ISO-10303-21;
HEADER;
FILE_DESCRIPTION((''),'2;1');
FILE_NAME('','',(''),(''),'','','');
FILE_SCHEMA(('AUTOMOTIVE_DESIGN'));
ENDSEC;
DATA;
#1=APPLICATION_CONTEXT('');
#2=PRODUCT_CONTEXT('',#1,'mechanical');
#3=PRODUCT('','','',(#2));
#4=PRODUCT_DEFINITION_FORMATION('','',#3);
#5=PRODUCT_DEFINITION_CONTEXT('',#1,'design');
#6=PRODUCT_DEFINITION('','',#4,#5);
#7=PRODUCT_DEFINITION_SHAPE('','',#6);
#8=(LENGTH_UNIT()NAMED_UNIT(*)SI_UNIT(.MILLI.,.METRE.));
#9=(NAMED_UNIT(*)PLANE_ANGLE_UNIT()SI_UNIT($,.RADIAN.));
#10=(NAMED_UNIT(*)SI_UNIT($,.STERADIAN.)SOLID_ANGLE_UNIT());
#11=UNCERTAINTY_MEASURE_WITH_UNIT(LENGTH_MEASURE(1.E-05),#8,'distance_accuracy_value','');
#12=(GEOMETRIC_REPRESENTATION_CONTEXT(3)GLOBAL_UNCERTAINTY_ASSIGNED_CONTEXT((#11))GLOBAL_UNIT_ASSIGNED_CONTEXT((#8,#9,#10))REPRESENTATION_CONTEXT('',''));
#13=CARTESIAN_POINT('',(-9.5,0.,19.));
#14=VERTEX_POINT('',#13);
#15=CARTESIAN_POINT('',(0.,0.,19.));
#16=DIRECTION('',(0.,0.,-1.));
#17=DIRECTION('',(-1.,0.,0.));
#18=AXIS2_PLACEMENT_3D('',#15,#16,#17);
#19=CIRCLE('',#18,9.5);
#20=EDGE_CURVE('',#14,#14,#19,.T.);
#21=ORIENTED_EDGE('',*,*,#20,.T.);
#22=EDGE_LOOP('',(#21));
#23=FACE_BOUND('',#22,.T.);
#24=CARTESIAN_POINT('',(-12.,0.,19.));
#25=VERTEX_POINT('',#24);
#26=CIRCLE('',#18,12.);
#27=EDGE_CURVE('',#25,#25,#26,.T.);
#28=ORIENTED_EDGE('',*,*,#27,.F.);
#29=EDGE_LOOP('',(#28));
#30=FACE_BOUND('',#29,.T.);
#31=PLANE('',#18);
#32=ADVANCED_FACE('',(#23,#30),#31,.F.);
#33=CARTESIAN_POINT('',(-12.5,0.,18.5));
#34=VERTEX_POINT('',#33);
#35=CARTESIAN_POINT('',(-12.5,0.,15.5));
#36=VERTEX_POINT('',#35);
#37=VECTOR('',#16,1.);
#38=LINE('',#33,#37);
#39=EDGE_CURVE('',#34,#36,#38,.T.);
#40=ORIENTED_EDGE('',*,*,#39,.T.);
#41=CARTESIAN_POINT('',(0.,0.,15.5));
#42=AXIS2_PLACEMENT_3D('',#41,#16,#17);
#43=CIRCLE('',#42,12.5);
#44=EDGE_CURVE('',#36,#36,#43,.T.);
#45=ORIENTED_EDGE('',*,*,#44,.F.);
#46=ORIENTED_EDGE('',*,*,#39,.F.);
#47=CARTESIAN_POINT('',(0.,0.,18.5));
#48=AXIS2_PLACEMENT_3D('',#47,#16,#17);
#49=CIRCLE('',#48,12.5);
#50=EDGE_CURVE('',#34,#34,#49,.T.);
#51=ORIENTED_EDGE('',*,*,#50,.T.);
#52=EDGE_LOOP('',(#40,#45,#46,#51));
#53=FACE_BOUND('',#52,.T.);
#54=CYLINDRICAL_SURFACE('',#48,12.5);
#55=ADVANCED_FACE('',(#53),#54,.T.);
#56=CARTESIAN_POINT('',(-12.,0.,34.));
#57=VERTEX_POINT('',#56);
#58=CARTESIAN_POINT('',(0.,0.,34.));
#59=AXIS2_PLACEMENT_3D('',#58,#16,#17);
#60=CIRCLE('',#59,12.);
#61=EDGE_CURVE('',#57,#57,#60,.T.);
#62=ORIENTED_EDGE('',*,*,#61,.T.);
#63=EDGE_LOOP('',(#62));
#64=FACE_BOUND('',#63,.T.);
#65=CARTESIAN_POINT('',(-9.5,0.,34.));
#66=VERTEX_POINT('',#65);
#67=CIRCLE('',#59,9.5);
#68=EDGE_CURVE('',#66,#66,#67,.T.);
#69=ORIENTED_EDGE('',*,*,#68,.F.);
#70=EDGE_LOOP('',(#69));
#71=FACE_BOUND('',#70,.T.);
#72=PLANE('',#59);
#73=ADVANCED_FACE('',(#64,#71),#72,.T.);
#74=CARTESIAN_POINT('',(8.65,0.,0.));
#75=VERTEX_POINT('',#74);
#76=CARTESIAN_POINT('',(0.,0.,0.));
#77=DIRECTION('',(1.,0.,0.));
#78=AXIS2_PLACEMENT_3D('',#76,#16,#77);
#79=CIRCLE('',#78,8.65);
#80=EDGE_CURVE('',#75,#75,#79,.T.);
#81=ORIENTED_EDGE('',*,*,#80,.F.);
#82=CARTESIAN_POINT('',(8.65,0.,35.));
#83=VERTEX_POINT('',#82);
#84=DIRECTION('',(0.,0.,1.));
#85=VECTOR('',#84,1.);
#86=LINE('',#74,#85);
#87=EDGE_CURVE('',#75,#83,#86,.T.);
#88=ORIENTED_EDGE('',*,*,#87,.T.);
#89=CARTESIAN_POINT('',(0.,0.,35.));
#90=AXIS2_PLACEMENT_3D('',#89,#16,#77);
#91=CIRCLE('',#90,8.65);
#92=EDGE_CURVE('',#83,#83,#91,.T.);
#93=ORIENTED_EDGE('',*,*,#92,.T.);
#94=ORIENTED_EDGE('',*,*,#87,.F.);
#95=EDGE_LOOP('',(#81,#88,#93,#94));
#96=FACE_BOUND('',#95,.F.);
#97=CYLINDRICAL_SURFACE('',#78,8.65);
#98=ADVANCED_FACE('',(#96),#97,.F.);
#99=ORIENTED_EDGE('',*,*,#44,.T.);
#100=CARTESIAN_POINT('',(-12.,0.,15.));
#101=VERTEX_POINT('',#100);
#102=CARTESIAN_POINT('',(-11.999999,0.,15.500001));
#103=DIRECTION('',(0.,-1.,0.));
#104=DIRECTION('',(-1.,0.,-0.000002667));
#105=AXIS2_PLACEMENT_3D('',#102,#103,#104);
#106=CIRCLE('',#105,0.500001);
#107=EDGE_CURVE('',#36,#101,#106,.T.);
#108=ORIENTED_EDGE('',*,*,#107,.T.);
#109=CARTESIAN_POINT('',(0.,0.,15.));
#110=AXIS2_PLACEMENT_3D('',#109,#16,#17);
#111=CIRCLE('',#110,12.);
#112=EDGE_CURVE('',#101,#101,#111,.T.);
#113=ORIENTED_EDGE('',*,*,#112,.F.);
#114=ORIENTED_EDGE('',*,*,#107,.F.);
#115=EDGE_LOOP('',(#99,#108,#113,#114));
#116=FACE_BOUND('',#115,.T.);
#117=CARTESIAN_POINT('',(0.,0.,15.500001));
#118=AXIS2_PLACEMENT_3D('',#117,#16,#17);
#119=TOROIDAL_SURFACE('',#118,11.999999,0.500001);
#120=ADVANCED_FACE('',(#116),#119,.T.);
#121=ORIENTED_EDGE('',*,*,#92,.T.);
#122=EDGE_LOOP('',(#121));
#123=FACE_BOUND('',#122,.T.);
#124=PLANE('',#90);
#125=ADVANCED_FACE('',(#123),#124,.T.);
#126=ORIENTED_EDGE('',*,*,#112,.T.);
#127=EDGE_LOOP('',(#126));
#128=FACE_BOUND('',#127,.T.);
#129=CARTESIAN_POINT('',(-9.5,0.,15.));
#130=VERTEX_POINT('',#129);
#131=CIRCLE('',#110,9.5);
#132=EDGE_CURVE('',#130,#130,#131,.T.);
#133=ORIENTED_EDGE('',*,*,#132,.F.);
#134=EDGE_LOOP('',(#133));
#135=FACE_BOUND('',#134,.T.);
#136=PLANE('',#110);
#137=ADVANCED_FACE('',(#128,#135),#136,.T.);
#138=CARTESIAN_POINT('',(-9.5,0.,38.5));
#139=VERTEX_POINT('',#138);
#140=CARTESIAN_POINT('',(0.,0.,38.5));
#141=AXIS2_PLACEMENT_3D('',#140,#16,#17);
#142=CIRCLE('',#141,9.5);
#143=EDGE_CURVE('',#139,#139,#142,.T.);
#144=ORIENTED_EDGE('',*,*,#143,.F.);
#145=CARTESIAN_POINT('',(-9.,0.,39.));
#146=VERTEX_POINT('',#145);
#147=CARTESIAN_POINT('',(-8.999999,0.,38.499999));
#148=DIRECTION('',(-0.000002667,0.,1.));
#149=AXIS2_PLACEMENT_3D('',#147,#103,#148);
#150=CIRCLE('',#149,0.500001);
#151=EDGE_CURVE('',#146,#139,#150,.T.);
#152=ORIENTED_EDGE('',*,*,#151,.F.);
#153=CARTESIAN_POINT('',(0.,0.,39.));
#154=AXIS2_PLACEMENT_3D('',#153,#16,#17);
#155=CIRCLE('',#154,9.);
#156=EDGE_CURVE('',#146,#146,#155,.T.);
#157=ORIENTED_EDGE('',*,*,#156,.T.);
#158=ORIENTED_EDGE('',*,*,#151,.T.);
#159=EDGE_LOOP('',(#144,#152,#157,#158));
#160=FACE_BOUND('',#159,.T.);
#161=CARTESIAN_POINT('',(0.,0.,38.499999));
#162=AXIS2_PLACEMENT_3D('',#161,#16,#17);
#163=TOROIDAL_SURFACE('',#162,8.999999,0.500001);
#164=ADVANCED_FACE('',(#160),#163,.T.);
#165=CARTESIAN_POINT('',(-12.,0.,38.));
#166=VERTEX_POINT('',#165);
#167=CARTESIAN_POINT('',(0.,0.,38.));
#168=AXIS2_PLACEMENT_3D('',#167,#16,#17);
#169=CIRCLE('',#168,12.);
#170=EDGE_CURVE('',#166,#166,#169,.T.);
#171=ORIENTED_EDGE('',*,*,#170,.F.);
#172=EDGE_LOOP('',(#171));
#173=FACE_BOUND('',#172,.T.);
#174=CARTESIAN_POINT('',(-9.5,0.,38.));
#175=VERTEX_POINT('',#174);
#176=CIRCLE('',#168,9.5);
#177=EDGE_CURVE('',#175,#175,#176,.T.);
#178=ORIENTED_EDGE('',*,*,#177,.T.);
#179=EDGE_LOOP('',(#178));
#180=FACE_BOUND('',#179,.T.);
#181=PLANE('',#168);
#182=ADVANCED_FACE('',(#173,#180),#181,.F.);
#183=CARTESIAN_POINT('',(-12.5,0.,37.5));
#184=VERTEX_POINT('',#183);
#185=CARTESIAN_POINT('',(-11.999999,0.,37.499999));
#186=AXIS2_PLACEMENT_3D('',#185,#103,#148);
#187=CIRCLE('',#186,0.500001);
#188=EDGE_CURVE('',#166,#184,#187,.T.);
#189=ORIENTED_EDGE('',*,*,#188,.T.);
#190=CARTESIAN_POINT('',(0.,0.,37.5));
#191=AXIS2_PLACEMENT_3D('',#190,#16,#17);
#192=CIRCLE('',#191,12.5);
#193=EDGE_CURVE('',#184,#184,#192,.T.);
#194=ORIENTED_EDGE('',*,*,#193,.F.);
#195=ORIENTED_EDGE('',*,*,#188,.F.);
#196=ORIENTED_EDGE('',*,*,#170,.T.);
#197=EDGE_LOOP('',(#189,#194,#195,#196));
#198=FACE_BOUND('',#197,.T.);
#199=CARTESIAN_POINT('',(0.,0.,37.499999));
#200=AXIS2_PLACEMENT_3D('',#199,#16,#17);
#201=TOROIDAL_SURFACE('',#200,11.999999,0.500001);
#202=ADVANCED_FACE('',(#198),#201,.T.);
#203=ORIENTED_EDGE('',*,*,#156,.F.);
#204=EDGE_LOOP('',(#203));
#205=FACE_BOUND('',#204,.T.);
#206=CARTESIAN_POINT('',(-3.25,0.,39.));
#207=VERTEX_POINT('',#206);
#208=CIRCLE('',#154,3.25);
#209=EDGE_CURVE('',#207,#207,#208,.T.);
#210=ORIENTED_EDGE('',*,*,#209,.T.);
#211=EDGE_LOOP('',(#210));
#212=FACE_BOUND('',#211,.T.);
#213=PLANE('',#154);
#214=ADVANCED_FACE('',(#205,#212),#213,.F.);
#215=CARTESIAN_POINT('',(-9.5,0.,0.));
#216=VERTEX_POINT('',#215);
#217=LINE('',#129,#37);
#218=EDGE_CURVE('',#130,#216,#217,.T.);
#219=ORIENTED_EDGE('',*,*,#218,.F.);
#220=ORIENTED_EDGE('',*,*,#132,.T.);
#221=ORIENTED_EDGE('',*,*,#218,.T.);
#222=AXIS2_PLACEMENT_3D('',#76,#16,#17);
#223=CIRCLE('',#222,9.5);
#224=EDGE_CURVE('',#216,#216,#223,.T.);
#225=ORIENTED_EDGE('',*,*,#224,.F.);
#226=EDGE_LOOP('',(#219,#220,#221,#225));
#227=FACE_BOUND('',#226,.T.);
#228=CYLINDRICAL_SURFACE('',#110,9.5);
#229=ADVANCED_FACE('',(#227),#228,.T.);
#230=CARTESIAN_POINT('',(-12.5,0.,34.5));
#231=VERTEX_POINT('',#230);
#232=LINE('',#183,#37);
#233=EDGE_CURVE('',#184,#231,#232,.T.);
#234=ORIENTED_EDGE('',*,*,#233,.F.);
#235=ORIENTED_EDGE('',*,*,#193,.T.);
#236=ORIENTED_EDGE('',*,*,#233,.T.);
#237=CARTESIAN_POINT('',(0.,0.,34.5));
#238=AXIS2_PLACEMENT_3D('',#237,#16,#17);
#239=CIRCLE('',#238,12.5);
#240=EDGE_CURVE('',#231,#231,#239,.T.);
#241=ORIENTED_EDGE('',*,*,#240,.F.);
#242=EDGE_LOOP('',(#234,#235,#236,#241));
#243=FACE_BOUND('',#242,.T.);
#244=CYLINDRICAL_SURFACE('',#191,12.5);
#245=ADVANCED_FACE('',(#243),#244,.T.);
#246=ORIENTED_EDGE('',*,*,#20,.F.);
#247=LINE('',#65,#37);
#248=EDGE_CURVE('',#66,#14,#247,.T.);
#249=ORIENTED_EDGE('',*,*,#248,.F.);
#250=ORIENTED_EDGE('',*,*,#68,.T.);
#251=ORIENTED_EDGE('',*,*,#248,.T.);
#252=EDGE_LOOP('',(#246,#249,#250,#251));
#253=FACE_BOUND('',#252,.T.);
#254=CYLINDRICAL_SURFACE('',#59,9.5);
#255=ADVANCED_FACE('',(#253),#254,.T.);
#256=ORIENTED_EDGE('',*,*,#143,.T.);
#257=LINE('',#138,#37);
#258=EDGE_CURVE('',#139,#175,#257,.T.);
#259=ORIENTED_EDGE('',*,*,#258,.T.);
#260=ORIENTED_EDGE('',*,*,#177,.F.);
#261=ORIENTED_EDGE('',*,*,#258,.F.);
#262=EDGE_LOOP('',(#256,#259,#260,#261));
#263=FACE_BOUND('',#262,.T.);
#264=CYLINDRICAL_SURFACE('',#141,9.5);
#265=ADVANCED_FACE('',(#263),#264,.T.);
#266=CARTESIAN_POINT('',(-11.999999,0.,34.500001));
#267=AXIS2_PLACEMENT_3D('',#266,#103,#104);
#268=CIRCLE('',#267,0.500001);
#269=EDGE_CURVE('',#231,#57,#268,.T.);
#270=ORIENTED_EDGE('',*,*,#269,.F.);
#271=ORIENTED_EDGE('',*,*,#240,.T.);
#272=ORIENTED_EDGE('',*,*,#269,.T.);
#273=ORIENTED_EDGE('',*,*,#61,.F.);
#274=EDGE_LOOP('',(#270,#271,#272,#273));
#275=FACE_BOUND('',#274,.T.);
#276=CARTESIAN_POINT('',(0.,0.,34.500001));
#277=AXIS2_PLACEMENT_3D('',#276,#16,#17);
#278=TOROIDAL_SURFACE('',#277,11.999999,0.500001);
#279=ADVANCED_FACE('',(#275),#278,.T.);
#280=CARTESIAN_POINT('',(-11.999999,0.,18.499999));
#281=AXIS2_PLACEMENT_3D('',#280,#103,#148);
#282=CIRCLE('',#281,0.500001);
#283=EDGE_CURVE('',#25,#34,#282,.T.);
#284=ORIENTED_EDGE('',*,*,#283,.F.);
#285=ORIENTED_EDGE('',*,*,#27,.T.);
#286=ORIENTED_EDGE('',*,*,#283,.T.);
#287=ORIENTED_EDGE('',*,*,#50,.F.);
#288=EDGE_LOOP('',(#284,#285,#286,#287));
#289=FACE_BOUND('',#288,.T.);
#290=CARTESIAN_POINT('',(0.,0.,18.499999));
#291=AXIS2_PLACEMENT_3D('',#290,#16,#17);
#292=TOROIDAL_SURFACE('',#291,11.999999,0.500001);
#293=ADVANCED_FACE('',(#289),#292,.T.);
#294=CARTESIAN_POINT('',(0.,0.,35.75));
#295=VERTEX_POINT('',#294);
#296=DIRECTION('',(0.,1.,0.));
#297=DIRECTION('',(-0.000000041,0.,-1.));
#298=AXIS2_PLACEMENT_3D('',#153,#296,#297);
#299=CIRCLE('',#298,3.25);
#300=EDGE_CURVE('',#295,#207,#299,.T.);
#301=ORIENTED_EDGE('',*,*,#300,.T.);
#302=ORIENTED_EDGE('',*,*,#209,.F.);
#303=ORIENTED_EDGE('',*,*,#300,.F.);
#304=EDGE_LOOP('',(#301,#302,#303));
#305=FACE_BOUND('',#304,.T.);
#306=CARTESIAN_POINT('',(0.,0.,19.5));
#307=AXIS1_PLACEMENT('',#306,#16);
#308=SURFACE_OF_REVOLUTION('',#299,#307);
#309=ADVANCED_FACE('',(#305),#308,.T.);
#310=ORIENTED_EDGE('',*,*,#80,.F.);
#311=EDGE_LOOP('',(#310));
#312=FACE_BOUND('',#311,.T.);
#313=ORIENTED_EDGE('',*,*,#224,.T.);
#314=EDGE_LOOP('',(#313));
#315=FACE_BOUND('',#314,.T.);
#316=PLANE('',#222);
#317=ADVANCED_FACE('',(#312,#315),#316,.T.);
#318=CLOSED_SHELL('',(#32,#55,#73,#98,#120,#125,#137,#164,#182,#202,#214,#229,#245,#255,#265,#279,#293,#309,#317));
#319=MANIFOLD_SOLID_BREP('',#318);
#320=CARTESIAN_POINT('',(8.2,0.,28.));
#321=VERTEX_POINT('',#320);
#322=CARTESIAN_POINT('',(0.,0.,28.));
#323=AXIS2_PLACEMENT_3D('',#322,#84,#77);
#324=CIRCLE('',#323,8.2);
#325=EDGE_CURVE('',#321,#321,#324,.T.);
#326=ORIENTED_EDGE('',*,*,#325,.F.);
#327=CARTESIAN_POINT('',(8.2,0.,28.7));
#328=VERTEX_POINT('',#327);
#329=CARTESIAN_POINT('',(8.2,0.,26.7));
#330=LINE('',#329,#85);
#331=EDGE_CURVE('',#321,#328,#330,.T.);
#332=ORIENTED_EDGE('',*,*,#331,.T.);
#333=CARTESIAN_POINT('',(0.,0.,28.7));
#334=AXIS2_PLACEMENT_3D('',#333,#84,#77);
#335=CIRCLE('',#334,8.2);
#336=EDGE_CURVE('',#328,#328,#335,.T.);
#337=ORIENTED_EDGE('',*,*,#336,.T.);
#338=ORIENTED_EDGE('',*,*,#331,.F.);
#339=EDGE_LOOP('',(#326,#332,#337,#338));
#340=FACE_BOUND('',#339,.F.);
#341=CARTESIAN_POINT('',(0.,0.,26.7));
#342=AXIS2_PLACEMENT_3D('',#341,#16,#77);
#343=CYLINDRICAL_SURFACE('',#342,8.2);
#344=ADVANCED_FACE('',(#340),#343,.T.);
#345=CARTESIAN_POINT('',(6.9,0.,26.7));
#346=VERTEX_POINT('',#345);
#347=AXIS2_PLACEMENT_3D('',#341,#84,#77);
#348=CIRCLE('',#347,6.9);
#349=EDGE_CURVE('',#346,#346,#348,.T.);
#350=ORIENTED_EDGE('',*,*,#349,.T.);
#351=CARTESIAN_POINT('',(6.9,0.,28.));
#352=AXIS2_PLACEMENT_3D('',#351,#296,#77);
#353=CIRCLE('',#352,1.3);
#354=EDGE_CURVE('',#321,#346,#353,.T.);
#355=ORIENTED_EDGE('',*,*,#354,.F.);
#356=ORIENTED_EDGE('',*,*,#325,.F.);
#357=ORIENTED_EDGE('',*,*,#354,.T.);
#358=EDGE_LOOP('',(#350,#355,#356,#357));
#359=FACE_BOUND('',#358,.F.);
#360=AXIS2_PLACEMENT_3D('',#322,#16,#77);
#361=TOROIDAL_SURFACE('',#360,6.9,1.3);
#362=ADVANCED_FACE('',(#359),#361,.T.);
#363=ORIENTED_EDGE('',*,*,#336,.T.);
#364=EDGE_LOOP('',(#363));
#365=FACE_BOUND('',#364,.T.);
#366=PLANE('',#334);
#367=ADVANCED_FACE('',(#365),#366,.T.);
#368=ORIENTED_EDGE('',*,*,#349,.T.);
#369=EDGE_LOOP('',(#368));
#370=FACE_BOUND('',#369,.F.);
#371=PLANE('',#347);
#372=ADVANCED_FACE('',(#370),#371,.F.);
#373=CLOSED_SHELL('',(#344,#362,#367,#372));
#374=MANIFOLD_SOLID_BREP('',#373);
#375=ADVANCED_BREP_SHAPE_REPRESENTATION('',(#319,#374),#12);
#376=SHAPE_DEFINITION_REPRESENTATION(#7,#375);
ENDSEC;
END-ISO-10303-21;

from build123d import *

# Parameters (mm, degrees)
F2_R     = 8.65
F3_DEPTH = 35
F5_R     = 8.2
F6_DEPTH = 2
F7_R     = 1.3


with BuildPart() as f1:
    # F0 (on Front) → F1 (revolve)
    with BuildSketch(Plane.XZ):
        with BuildLine():
            Line((-9.5, 0), (0, 0))
            Line((0, 0), (0, 35.75))
            ThreePointArc((0, 35.75), (-2.298097, 36.701903), (-3.25, 39))
            Line((-3.25, 39), (-9, 39))
            ThreePointArc((-9, 39), (-9.353553, 38.853553), (-9.5, 38.5))
            Line((-9.5, 38.5), (-9.5, 38))
            Line((-9.5, 38), (-12, 38))
            ThreePointArc((-12, 38), (-12.353553, 37.853553), (-12.5, 37.5))
            Line((-12.5, 37.5), (-12.5, 34.5))
            ThreePointArc((-12.5, 34.5), (-12.353553, 34.146447), (-12, 34))
            Line((-12, 34), (-9.5, 34))
            Line((-9.5, 34), (-9.5, 19))
            Line((-9.5, 19), (-12, 19))
            ThreePointArc((-12, 19), (-12.353553, 18.853553), (-12.5, 18.5))
            Line((-12.5, 18.5), (-12.5, 15.5))
            ThreePointArc((-12.5, 15.5), (-12.353553, 15.146447), (-12, 15))
            Line((-12, 15), (-9.5, 15))
            Line((-9.5, 15), (-9.5, 0))
        make_face()
    revolve(axis=Axis((0, 0, 19.5), (0, 0, -1)))

    # F2 (on face) → F3 (cut)
    with BuildSketch(Plane(origin=(0, 0, 0), x_dir=(1, 0, 0), z_dir=(0, 0, -1))):
        Circle(F2_R)
    extrude(amount=-F3_DEPTH, mode=Mode.SUBTRACT)


with BuildPart() as f6:
    # F5 (on offset) → F6 (new body)
    with BuildSketch(Plane.XY.offset(26.7)):
        Circle(F5_R)
    extrude(amount=F6_DEPTH)

    # F7
    f7_edges = [f6.edges().sort_by_distance(p)[0] for p in [
        (-8.2, 0, 26.7),
    ]]
    fillet(f7_edges, radius=F7_R)


solid = Compound([f1.part, f6.part])
